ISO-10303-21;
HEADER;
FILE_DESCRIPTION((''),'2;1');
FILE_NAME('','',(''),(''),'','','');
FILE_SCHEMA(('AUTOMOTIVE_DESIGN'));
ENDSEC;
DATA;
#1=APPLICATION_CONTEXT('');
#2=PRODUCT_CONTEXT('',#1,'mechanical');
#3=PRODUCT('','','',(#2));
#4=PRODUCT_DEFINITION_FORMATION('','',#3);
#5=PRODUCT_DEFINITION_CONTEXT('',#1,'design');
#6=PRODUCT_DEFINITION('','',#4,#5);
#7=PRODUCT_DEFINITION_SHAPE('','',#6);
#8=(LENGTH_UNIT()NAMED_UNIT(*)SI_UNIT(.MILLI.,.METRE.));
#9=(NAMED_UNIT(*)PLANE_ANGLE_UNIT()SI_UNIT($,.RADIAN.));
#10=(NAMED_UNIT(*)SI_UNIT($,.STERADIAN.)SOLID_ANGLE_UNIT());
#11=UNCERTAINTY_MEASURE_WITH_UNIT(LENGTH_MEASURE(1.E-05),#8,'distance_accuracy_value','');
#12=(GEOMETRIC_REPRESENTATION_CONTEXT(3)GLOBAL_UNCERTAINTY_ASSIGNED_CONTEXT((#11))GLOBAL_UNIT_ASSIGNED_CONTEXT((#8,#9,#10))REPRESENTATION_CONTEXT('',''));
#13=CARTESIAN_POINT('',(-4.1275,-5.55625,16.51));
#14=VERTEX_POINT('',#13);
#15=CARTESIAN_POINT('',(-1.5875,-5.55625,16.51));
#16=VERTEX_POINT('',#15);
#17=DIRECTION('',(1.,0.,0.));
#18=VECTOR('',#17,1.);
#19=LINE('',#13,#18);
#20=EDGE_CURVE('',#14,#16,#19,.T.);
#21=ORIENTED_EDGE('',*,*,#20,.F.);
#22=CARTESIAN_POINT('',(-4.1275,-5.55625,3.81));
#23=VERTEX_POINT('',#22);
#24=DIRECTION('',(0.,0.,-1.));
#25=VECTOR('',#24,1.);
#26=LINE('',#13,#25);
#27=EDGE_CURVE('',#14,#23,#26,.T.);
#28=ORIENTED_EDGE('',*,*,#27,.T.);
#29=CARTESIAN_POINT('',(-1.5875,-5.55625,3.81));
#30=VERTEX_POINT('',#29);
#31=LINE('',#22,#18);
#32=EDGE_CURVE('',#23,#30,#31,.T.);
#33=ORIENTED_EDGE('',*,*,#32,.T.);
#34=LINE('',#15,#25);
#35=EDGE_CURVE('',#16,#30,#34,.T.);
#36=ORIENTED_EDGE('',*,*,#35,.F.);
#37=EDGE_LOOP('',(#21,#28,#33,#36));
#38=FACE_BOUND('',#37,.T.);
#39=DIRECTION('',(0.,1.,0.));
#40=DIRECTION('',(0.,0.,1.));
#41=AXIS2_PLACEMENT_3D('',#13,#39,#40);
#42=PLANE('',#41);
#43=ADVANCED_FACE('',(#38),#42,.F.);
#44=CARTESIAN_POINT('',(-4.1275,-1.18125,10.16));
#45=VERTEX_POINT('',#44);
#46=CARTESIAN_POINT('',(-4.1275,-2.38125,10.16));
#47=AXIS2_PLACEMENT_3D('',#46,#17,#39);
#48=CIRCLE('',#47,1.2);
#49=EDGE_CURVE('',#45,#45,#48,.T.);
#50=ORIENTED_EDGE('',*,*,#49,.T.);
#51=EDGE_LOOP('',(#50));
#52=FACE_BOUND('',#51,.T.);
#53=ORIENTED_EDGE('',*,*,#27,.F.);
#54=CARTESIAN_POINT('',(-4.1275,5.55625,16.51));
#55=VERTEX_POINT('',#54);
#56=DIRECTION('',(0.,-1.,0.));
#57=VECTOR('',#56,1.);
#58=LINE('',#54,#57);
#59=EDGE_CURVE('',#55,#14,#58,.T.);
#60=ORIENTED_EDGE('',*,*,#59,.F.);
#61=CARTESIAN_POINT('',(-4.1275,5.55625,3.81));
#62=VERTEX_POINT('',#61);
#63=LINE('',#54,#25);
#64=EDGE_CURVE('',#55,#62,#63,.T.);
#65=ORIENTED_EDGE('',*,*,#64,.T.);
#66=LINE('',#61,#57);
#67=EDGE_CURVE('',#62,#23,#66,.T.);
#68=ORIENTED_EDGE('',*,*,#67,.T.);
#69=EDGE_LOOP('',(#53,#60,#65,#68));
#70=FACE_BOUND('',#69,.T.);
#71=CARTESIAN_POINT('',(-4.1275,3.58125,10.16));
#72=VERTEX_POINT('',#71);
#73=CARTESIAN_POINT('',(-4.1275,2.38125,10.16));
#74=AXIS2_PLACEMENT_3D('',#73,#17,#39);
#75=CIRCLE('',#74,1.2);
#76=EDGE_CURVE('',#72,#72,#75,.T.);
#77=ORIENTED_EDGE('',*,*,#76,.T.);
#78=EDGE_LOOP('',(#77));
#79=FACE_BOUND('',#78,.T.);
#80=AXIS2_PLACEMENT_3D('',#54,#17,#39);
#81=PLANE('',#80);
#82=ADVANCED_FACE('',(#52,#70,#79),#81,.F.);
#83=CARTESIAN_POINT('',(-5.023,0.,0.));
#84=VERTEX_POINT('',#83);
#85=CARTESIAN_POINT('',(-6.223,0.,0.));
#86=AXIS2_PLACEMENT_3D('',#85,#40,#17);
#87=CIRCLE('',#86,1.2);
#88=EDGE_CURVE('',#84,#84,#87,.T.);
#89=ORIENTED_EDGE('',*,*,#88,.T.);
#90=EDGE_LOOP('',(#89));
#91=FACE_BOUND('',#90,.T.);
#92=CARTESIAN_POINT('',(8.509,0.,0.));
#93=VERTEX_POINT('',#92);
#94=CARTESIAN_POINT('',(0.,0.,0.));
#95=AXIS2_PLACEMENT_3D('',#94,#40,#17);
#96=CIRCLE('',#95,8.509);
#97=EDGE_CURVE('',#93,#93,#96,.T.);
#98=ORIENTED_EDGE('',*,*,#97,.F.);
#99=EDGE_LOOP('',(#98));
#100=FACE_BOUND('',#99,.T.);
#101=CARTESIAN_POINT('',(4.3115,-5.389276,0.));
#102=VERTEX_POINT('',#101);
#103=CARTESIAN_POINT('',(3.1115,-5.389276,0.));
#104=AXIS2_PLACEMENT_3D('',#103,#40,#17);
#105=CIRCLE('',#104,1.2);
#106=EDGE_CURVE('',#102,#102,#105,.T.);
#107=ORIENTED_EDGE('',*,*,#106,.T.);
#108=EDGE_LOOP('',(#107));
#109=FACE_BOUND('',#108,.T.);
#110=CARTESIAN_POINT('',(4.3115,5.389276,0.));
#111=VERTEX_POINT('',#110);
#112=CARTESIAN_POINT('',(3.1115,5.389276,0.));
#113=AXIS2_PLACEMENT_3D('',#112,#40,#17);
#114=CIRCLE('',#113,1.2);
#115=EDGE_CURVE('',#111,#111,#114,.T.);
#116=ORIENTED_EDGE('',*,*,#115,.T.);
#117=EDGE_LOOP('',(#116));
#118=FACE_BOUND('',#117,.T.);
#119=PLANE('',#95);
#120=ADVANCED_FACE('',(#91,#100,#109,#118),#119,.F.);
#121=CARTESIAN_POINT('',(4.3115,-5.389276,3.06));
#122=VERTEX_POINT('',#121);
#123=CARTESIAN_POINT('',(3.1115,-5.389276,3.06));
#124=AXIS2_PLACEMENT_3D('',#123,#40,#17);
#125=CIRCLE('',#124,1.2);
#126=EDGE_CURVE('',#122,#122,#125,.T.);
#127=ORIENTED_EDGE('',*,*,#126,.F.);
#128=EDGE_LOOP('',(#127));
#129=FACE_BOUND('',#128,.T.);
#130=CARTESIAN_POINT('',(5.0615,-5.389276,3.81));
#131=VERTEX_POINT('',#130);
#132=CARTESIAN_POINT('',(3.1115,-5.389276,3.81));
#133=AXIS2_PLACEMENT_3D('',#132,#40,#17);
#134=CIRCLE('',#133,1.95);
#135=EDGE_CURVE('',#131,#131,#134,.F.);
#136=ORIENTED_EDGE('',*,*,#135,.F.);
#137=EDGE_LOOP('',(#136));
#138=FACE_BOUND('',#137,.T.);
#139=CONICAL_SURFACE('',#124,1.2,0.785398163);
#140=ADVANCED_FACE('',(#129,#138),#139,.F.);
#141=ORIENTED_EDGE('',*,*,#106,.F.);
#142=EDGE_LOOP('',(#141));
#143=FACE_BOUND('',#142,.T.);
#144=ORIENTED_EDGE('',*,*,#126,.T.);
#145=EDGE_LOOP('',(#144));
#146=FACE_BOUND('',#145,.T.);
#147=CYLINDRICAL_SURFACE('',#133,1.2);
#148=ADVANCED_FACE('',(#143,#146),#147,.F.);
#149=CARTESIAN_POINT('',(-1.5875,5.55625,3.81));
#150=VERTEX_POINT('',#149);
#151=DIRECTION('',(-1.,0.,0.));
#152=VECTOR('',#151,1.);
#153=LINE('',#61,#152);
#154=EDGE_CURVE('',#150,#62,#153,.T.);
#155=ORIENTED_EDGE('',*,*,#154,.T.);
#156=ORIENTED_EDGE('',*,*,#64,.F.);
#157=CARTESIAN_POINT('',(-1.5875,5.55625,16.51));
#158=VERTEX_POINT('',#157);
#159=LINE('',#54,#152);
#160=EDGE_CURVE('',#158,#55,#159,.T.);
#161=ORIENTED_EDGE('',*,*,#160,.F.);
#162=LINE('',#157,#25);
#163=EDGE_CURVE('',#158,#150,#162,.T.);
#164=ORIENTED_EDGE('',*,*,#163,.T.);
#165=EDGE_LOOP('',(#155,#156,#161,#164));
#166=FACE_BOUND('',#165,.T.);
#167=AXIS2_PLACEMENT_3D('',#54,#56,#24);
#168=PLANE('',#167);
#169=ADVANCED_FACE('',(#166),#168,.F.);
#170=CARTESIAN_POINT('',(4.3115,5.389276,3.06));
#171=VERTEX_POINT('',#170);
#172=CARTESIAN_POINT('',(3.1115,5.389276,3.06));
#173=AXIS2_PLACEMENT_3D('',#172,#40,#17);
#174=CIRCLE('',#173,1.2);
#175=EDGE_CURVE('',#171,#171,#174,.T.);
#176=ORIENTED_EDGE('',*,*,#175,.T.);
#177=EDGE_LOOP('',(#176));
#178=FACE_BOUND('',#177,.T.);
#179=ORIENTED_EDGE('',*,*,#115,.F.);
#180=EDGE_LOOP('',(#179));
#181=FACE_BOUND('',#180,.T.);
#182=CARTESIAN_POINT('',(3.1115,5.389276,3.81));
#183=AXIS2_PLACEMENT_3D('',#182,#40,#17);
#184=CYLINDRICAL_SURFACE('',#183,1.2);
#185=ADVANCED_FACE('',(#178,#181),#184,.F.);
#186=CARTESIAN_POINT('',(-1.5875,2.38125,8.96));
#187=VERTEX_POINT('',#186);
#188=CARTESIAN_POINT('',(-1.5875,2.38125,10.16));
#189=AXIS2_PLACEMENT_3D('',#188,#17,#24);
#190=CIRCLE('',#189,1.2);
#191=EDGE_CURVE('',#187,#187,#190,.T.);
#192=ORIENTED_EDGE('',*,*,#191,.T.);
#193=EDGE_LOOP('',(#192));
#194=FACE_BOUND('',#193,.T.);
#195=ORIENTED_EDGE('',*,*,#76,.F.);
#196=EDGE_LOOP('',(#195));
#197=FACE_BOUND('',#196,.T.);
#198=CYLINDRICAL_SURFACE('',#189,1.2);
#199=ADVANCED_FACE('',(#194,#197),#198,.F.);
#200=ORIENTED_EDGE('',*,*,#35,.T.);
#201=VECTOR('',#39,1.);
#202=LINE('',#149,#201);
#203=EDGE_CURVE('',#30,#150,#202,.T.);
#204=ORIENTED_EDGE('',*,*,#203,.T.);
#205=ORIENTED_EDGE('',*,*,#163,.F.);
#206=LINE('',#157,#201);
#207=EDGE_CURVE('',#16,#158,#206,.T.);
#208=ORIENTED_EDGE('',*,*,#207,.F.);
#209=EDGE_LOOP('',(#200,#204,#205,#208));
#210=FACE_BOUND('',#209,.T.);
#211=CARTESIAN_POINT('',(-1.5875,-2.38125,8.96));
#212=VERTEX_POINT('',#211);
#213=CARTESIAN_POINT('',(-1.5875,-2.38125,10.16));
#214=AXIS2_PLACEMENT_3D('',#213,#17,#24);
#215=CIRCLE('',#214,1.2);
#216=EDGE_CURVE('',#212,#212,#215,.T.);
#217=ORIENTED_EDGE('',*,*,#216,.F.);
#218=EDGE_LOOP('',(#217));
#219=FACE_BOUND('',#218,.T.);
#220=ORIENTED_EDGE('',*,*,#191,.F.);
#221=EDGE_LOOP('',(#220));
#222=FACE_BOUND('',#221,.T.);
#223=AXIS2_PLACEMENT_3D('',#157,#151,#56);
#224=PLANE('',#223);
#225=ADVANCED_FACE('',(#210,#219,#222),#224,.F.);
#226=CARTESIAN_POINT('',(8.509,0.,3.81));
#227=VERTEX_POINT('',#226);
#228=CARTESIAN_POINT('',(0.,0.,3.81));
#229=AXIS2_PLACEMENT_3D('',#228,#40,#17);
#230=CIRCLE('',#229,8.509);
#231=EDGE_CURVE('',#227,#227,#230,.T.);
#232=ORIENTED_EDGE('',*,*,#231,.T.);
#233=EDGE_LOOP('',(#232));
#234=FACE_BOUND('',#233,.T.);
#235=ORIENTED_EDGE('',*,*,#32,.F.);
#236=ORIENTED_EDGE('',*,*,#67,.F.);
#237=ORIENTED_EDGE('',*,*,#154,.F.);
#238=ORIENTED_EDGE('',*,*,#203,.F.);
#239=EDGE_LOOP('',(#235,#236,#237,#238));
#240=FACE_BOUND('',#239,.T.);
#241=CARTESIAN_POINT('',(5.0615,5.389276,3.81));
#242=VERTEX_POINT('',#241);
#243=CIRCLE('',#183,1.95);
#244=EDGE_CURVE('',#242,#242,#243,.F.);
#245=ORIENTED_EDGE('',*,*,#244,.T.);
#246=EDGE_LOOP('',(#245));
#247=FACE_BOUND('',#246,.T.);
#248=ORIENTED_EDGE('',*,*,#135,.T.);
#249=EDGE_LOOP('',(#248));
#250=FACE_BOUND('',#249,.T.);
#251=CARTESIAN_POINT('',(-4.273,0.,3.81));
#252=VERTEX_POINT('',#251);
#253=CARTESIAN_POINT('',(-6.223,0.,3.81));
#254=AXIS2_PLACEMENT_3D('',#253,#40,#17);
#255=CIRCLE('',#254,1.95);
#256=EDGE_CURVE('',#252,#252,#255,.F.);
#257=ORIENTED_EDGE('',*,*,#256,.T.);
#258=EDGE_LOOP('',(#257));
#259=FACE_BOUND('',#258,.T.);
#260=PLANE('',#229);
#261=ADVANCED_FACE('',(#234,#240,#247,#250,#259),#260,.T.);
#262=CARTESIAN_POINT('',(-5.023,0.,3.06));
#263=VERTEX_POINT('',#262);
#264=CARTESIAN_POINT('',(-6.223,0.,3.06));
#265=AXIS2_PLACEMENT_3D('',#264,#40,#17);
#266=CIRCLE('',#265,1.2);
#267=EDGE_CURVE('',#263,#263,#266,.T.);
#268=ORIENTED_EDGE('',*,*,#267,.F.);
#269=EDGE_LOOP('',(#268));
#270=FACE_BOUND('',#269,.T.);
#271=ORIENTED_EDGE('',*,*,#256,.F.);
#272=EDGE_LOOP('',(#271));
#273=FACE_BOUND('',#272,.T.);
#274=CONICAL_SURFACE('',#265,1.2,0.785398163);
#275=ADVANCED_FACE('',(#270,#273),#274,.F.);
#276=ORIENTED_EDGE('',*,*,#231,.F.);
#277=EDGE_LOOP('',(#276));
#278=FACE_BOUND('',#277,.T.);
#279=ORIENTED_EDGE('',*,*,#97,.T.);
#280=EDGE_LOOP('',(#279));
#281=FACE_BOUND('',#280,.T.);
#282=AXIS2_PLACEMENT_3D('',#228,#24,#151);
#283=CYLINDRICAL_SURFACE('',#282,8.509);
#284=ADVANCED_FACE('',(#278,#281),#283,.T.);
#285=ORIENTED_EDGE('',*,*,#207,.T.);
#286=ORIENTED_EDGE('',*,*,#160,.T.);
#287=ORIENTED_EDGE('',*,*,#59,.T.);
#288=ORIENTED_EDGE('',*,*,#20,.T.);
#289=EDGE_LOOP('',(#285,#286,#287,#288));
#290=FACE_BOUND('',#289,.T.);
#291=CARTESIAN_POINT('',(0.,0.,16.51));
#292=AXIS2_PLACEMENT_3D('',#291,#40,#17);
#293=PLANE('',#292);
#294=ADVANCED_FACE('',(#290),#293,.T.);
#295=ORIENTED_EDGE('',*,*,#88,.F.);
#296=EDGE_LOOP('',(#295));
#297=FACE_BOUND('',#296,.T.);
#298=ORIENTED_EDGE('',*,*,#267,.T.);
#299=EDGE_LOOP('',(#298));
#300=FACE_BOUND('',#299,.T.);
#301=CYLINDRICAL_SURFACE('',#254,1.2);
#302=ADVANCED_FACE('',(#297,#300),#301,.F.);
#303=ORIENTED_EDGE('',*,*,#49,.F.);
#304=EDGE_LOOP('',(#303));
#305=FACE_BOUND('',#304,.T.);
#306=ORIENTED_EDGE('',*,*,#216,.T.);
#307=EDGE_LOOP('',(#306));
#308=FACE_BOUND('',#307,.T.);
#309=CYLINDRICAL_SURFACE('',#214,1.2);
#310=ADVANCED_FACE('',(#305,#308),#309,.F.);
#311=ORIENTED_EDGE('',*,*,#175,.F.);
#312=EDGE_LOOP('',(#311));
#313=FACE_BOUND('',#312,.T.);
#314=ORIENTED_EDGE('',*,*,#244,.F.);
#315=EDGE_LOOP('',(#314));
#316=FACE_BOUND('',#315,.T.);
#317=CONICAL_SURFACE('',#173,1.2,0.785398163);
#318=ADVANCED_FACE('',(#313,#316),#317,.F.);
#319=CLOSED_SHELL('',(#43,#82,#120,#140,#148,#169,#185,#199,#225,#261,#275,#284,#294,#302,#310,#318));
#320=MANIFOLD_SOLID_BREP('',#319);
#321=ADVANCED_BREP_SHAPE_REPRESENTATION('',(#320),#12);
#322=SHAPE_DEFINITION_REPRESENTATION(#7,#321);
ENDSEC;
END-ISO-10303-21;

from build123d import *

# Parameters (mm, degrees)
SKETCH2_R            = 8.509
BOSS_EXTRUDE1_DEPTH  = 3.81
SKETCH4_W            = 2.54
SKETCH4_H            = 11.1125
BOSS_EXTRUDE2_DEPTH  = 12.7
M2_CLEARANCE_HOLE1_D = 2.4
M2_CLEARANCE_HOLE2_D = 2.4
CHAMFER1_SIZE        = 0.75
CHAMFER2_SIZE        = 0.75
CHAMFER3_SIZE        = 0.75


with BuildPart() as part:
    # Sketch2 → Boss-Extrude1 (new body)
    with BuildSketch(Plane.XY):
        Circle(SKETCH2_R)
    extrude(amount=BOSS_EXTRUDE1_DEPTH)

    # Sketch4 → Boss-Extrude2 (add)
    with BuildSketch(Plane.XY.offset(3.81)):
        with Locations((-2.8575, 0)):
            Rectangle(SKETCH4_W, SKETCH4_H)
    extrude(amount=BOSS_EXTRUDE2_DEPTH)

    # M2 Clearance Hole1 (through all)
    with Locations(Plane.XY.offset(3.81)):
        with Locations((-6.223, 0), (3.1115, 5.389276088), (3.1115, -5.389276088)):
            Hole(M2_CLEARANCE_HOLE1_D / 2)

    # M2 Clearance Hole2 (through all)
    with Locations(Plane(origin=(-1.5875, 0, 0), x_dir=(0, 0, -1), z_dir=(1, 0, 0))):
        with Locations((-10.16, -2.38125), (-10.16, 2.38125)):
            Hole(M2_CLEARANCE_HOLE2_D / 2)

    # Chamfer1
    chamfer1_edges = [part.edges().sort_by_distance(p)[0] for p in [
        (4.3115, -5.389276088, 3.81),
    ]]
    chamfer(chamfer1_edges, length=CHAMFER1_SIZE)

    # Chamfer2
    chamfer2_edges = [part.edges().sort_by_distance(p)[0] for p in [
        (4.3115, 5.389276088, 3.81),
    ]]
    chamfer(chamfer2_edges, length=CHAMFER2_SIZE)

    # Chamfer3
    chamfer3_edges = [part.edges().sort_by_distance(p)[0] for p in [
        (-5.023, 0, 3.81),
    ]]
    chamfer(chamfer3_edges, length=CHAMFER3_SIZE)


solid = part.part
